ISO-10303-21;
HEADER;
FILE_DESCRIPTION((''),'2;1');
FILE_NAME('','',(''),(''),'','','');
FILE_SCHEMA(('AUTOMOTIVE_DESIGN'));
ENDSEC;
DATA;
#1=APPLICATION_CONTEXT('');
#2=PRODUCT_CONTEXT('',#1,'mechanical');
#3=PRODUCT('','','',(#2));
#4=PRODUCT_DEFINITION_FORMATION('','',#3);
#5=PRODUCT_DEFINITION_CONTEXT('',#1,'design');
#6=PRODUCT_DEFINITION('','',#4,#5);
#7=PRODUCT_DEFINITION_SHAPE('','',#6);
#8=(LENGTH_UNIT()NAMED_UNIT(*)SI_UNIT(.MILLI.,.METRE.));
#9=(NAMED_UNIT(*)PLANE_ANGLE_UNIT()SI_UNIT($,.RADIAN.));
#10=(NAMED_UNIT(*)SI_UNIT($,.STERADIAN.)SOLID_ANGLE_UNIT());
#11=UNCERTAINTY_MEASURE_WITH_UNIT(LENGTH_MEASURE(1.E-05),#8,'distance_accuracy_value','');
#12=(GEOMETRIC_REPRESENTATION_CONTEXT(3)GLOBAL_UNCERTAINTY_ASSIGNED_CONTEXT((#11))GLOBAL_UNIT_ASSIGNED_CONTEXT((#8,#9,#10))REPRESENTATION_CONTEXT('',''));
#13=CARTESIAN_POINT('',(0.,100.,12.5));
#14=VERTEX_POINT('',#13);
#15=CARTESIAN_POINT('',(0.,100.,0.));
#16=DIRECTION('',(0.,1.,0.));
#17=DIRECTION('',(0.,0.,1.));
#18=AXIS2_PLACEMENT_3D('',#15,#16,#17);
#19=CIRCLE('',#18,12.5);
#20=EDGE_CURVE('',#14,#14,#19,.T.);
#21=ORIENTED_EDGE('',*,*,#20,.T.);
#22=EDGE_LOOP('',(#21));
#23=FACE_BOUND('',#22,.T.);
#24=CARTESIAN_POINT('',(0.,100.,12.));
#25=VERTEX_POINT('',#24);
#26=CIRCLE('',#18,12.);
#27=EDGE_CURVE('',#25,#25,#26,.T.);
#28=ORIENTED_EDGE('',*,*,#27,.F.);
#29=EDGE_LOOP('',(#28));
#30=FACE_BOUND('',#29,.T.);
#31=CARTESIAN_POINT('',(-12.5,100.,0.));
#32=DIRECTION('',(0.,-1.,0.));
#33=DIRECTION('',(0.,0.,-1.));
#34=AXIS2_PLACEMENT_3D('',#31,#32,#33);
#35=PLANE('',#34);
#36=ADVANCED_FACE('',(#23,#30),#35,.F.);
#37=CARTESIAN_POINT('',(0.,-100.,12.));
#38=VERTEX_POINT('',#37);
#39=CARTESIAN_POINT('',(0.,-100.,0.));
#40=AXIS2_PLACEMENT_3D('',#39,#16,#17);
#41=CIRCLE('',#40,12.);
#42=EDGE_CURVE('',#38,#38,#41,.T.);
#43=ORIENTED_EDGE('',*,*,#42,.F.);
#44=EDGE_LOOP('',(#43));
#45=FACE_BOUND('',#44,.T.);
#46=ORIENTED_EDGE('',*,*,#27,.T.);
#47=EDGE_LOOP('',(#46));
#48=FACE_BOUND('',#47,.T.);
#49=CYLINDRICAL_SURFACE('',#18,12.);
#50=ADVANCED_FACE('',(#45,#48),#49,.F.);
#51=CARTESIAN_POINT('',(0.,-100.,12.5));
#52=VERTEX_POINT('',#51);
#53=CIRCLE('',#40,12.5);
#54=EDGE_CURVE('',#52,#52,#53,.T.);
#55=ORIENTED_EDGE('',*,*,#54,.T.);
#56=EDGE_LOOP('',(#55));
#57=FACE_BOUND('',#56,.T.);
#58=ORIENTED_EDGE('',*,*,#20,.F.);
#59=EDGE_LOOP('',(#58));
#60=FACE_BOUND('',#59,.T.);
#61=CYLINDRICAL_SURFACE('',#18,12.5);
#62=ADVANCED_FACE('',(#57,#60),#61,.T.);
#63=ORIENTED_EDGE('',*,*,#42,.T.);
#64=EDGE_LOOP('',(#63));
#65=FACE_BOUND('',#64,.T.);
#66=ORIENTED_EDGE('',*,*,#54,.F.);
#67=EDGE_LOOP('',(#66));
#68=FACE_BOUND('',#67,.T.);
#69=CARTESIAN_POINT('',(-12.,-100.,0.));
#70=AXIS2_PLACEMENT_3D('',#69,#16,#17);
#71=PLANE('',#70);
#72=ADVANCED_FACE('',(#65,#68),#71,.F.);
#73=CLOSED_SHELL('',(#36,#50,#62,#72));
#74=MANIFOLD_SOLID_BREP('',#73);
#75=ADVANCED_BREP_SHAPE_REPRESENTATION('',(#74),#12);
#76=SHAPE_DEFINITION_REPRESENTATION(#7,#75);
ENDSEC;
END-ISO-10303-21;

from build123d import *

# Parameters (mm, degrees)
PROFILES_W = 0.5
PROFILES_H = 200


with BuildPart() as part:
    # ProfileS → Profile (revolve)
    with BuildSketch(Plane.XY):
        with Locations((-12.25, 0)):
            Rectangle(PROFILES_W, PROFILES_H)
    revolve(axis=Axis((0, 100, 0), (0, -1, 0)))


solid = part.part
